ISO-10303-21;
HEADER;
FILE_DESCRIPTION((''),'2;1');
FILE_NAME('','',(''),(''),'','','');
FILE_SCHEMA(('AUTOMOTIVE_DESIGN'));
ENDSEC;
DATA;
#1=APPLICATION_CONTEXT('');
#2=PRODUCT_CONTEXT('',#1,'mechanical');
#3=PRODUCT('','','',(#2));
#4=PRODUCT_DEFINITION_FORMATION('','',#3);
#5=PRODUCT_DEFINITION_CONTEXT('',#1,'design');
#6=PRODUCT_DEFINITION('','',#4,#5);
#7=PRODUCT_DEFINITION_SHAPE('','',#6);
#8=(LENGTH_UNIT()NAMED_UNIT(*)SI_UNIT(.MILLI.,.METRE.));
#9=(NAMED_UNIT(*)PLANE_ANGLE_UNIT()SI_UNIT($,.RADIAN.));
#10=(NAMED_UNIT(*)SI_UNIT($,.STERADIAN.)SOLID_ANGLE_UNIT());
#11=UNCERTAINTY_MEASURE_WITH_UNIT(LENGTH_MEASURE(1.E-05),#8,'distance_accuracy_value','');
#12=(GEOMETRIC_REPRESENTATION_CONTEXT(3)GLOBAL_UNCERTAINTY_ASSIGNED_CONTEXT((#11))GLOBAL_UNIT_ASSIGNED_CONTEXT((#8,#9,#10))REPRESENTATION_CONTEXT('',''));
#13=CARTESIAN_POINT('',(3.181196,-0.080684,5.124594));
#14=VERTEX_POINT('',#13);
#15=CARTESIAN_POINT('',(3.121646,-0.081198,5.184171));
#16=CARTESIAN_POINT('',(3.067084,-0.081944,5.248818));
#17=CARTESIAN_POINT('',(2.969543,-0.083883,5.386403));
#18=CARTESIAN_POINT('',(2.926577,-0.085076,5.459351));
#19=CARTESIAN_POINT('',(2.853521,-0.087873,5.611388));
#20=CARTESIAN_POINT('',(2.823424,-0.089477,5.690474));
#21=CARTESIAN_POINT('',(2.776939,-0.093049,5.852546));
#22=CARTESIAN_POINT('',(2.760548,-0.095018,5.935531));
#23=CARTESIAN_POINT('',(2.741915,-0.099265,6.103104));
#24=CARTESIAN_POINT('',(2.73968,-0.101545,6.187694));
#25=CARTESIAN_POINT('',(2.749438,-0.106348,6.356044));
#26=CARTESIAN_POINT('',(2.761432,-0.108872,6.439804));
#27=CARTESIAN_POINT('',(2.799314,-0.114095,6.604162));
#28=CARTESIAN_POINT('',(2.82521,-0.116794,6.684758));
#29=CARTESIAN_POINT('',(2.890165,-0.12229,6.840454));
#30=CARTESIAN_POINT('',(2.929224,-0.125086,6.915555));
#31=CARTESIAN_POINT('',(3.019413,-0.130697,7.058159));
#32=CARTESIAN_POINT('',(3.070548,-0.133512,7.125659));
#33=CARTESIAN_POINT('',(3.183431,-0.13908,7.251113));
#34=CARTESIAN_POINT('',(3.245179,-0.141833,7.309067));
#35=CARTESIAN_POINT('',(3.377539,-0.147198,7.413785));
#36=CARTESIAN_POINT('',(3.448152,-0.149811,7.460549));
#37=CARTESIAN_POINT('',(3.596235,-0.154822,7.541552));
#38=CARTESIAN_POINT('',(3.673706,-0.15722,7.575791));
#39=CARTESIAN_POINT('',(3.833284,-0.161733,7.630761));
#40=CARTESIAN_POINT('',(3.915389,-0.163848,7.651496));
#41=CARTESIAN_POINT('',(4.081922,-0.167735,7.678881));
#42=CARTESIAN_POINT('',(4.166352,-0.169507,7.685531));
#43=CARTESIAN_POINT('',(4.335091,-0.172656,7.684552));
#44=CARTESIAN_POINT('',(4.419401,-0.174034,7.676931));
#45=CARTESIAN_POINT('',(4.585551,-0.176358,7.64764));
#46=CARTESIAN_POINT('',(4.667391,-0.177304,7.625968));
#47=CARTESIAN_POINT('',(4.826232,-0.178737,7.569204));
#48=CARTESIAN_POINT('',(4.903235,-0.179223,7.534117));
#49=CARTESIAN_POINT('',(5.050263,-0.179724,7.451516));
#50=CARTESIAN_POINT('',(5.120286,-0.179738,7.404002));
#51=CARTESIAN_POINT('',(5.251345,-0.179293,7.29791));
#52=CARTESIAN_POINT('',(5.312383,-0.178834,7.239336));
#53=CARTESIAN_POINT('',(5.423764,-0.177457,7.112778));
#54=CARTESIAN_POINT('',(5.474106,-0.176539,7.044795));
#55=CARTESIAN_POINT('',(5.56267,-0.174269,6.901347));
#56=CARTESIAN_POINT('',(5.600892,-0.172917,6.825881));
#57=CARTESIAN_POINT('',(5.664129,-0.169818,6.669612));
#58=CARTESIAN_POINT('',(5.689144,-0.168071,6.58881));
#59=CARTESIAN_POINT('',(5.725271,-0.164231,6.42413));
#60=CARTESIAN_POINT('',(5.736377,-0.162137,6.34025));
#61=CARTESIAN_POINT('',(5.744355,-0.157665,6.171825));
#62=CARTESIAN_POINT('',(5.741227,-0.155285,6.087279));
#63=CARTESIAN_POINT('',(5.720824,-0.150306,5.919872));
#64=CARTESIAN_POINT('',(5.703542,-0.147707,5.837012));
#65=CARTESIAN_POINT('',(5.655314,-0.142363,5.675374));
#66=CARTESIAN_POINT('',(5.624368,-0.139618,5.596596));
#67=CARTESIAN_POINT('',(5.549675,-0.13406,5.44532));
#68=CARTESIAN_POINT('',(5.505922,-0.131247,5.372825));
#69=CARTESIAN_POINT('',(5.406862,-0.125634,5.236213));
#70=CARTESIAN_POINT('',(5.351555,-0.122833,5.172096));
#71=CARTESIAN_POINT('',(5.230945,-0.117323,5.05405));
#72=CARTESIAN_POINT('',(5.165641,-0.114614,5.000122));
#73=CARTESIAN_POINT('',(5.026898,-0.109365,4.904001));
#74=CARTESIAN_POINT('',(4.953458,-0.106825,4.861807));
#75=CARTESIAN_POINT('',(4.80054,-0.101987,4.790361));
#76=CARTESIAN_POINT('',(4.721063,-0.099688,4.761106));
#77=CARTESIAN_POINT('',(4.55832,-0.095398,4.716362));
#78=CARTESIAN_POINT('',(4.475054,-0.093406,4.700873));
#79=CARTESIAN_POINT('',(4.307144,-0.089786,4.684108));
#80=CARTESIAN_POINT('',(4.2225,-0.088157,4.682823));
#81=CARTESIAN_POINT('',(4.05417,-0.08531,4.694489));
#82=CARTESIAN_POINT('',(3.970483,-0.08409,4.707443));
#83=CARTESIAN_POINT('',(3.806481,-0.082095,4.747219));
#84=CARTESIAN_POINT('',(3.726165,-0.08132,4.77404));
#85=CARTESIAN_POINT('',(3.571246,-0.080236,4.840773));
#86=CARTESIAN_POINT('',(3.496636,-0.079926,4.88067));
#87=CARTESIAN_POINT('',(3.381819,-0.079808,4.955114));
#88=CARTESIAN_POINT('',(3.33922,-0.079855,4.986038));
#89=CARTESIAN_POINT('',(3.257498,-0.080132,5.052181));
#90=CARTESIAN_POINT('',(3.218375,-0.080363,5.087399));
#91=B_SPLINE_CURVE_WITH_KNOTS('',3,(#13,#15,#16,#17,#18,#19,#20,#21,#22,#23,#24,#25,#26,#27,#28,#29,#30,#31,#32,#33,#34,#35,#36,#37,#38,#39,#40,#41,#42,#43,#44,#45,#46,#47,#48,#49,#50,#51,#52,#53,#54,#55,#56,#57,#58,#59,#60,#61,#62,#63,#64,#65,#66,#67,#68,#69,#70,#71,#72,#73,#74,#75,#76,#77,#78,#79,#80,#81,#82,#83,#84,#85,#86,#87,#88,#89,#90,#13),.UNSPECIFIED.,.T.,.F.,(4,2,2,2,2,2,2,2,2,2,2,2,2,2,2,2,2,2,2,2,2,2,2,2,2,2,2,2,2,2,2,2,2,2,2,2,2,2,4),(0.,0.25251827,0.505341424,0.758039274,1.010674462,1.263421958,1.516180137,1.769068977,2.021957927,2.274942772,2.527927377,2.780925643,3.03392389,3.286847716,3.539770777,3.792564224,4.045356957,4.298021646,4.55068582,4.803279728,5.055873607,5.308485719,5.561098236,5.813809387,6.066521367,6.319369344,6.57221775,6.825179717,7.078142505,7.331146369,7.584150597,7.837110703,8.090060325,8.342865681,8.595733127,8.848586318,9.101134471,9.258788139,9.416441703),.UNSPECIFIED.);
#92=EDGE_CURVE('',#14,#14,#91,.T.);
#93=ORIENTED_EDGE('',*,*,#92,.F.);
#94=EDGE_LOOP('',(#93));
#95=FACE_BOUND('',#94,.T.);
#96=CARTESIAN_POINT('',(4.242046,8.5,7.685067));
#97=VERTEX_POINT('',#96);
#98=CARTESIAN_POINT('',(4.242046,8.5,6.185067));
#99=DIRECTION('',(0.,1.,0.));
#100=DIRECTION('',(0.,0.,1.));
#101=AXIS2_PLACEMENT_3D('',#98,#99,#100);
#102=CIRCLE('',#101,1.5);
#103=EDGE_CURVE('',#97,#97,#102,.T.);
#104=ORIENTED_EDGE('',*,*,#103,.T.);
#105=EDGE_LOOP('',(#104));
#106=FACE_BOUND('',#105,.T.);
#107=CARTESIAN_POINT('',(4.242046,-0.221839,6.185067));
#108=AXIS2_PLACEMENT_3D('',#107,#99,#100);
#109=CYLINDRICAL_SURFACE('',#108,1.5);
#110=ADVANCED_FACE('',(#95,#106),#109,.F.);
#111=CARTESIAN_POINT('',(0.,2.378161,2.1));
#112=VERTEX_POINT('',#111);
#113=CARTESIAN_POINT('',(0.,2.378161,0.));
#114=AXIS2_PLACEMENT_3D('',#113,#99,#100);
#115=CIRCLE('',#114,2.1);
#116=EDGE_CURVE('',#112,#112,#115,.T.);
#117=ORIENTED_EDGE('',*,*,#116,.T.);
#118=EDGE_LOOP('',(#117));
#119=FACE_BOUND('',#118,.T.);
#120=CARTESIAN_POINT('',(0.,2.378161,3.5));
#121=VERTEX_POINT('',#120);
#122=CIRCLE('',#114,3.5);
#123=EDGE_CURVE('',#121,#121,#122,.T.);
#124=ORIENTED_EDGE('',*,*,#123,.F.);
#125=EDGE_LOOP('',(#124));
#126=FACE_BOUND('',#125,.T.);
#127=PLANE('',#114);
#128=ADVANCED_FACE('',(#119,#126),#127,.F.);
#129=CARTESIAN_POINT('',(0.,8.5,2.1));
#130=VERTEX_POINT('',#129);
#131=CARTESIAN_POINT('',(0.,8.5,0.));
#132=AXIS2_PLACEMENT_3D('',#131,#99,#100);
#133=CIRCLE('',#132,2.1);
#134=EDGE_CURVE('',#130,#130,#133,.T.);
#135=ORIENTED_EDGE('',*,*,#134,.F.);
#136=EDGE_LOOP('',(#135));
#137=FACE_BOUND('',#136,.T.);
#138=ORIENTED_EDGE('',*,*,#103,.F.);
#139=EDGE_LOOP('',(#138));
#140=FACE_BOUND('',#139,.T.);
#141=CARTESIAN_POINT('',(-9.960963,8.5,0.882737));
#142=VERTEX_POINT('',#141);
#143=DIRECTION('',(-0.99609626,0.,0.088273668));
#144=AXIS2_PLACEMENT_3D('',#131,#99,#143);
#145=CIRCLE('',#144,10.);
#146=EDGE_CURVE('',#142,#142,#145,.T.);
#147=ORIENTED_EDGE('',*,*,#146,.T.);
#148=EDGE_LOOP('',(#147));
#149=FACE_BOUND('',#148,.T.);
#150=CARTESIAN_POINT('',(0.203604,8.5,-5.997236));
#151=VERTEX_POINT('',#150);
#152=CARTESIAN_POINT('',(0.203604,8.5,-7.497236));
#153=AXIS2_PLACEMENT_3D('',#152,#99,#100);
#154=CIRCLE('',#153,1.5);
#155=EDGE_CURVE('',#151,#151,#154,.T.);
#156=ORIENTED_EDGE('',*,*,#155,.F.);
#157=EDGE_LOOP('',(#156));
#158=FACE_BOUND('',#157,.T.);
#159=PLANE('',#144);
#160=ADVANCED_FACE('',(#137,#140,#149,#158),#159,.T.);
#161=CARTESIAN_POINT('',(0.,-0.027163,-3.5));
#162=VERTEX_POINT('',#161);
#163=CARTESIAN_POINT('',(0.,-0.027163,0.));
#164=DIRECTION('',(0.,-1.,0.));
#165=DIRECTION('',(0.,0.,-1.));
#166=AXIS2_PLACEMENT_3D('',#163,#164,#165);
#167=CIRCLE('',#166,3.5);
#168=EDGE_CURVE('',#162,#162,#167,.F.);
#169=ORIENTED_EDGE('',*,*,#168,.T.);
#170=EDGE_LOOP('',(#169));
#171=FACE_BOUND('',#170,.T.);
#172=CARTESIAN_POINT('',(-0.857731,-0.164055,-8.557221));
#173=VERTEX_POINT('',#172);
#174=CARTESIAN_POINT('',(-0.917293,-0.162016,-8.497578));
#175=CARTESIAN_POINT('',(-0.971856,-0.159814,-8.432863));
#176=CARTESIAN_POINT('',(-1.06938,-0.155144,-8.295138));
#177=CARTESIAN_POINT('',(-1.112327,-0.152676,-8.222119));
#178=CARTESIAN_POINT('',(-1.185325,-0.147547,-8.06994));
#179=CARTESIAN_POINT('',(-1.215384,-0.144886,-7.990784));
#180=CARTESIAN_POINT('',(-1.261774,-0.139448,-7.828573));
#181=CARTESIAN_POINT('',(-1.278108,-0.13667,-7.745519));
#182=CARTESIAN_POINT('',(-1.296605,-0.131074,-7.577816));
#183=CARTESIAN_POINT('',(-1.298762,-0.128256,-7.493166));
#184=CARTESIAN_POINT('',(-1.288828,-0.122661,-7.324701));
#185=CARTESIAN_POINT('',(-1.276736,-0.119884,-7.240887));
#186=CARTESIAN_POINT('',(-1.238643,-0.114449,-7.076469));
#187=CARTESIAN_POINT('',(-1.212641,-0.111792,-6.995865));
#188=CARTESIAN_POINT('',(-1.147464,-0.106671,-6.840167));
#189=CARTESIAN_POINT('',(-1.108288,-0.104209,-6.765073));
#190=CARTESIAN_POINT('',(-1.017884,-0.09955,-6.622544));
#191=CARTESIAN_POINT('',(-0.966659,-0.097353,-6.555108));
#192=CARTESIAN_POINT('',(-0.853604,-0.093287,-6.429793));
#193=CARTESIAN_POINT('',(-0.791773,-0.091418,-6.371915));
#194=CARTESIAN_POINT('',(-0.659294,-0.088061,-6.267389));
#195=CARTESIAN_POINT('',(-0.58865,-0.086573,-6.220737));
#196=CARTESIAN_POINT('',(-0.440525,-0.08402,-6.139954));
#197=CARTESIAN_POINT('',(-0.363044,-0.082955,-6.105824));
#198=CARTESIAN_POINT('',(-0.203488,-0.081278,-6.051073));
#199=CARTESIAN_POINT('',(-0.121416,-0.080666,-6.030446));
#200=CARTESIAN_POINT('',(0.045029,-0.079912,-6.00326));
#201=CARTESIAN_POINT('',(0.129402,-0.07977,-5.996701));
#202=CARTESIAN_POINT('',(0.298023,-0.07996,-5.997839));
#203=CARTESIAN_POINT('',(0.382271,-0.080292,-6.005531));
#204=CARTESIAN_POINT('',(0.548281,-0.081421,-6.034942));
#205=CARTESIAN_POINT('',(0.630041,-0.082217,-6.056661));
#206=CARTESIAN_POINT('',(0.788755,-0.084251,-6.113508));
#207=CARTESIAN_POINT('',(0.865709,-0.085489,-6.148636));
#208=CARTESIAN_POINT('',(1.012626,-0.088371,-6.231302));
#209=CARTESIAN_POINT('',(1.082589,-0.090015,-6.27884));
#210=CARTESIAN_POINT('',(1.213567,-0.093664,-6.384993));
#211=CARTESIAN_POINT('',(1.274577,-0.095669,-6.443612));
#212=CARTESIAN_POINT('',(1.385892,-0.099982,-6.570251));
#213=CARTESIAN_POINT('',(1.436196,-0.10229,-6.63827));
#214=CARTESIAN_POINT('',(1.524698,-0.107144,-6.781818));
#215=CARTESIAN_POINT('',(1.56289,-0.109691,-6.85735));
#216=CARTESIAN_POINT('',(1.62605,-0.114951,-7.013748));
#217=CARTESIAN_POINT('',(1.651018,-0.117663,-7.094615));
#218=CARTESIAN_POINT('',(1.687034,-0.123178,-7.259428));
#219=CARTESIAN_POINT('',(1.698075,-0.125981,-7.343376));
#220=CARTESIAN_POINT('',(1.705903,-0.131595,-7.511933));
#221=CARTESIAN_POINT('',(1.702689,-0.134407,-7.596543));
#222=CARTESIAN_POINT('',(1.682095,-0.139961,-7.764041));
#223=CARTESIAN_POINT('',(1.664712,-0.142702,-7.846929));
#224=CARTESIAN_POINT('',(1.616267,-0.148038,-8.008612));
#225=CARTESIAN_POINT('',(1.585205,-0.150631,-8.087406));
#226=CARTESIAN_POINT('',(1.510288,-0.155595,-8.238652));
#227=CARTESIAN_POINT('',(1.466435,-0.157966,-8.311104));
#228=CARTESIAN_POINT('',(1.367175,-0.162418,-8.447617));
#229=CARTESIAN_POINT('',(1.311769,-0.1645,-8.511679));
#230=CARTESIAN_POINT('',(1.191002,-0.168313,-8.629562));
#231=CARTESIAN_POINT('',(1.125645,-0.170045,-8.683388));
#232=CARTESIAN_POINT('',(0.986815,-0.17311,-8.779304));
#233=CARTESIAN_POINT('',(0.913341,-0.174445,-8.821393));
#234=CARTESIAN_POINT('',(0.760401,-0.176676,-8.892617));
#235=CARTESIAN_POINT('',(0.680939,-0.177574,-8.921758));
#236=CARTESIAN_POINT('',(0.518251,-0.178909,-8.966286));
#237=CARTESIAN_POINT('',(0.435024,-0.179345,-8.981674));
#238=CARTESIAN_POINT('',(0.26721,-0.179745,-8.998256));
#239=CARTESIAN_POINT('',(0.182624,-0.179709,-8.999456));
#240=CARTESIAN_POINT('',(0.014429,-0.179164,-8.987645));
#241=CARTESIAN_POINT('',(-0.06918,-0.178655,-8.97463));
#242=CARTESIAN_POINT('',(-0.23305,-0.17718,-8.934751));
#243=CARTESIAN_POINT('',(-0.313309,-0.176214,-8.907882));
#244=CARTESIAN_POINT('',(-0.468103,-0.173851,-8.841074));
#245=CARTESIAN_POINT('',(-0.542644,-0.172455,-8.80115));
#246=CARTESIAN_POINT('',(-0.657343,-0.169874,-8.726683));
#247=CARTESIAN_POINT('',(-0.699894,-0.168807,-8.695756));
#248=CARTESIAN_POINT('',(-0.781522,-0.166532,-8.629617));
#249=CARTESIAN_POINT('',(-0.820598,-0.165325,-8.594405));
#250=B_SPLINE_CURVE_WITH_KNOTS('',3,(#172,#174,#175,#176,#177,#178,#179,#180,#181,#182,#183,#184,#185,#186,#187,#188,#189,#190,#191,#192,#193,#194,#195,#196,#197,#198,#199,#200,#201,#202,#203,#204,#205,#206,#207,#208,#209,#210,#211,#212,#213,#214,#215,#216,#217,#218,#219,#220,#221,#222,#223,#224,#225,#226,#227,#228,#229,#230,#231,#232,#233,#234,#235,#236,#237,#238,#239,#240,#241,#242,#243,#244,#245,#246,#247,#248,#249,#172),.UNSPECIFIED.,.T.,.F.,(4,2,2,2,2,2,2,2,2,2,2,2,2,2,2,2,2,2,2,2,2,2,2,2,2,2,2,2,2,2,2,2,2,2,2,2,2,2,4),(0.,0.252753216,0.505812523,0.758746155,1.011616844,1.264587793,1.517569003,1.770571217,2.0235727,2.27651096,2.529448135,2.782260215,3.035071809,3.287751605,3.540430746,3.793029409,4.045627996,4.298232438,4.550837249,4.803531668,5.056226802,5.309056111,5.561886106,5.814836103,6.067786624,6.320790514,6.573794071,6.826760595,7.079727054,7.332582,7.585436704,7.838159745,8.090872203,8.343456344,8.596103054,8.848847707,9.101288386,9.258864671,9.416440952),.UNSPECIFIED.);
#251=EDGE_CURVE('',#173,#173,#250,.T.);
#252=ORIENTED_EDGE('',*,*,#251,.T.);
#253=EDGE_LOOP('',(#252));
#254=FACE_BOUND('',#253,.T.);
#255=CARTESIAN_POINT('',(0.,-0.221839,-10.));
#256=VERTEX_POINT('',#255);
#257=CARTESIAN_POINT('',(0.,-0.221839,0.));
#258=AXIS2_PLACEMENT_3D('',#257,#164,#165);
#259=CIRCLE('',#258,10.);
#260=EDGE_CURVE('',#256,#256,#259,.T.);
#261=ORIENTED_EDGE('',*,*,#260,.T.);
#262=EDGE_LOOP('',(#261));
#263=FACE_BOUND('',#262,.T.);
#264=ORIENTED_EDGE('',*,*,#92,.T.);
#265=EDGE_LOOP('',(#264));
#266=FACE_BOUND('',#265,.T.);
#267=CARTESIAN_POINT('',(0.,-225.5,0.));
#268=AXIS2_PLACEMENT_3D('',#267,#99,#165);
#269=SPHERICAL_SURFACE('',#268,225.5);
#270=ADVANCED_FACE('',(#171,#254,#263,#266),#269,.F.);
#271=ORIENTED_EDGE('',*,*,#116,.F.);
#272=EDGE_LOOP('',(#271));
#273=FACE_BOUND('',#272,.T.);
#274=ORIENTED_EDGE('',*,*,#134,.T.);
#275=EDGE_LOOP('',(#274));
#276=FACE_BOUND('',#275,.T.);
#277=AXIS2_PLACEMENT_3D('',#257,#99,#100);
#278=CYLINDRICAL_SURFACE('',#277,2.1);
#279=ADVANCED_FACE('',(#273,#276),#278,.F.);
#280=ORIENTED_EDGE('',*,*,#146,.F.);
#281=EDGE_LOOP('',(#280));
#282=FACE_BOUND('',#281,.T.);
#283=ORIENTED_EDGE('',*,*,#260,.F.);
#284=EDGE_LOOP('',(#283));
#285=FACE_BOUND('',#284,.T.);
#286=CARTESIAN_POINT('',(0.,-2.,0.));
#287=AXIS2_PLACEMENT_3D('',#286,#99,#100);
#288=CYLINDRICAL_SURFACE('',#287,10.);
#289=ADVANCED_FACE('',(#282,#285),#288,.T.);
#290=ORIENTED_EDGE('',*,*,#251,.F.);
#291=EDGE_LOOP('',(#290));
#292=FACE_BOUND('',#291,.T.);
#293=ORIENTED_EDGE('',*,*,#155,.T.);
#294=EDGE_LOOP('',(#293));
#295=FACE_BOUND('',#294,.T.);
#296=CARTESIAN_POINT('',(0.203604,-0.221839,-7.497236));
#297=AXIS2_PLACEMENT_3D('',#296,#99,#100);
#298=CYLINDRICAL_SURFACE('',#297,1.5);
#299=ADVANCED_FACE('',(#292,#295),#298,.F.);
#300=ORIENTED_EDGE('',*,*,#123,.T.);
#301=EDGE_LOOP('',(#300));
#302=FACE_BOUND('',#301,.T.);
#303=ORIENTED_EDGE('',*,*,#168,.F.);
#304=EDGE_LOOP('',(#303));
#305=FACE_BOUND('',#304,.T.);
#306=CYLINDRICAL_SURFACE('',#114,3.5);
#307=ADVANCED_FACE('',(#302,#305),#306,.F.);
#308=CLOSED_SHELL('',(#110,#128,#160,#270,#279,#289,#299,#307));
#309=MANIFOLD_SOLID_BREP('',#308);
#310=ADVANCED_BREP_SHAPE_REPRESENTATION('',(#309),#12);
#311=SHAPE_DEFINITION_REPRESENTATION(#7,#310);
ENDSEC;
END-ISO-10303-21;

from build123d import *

# Parameters (mm, degrees)
BOSS_EXTRUDE1_DEPTH      = 8.5
BOSS_EXTRUDE1_DEPTH_BACK = 2
SKETCH1_R                = 10
SKETCH3_W                = 3.5
SKETCH3_H                = 2.6
SKETCH4_R                = 2.1
CUT_EXTRUDE1_DEPTH       = 17.615368622
SKETCH5_R                = 1.5
CUT_EXTRUDE2_DEPTH       = 17.615368622


with BuildPart() as part:
    # Sketch1 → Boss-Extrude1 (new, two sides: drawn at the far end of the back side and taken through both)
    with BuildSketch(Plane(origin=(0, 0, 0), x_dir=(1, 0, 0), z_dir=(0, 1, 0)).offset(-BOSS_EXTRUDE1_DEPTH_BACK)):
        with Locations(Location((0, 0, 0), (0, 0, 270))):
            Circle(SKETCH1_R)
    extrude(amount=BOSS_EXTRUDE1_DEPTH + BOSS_EXTRUDE1_DEPTH_BACK)

    # Sketch2 → Cut-Revolve1 (revolve, cut)
    with BuildSketch(Plane(origin=(0, 0, 0), x_dir=(0, 0, -1), z_dir=(1, 0, 0))):
        with BuildLine():
            Line((0, 0), (0, -451))
            ThreePointArc((0, -451), (-225.5, -225.5), (0, 0))
        make_face()
    revolve(axis=Axis((0, 0, 0), (0, -1, 0)), mode=Mode.SUBTRACT)

    # Sketch3 → Cut-Revolve2 (revolve, cut)
    with BuildSketch(Plane(origin=(0, 0, 0), x_dir=(0, 0, -1), z_dir=(1, 0, 0)), mode=Mode.PRIVATE) as cut_revolve2_sk:
        with Locations((-1.75, 1.078161392)):
            Rectangle(SKETCH3_W, SKETCH3_H)
    revolve(cut_revolve2_sk.sketch.rotate(Axis((0, 2.378161392, 0), (0, -1, 0)), 84.935699762), axis=Axis((0, 2.378161392, 0), (0, -1, 0)), mode=Mode.SUBTRACT)

    # Sketch4 → Cut-Extrude1 (cut, through all)
    with BuildSketch(Plane(origin=(0, 8.5, 0), x_dir=(1, 0, 0), z_dir=(0, 1, 0))):
        with Locations(Location((0, 0, 0), (0, 0, 270))):
            Circle(SKETCH4_R)
    extrude(amount=-CUT_EXTRUDE1_DEPTH, mode=Mode.SUBTRACT)

    # Sketch5 → Cut-Extrude2 (cut, through all)
    with BuildSketch(Plane(origin=(0, 8.5, 0), x_dir=(1, 0, 0), z_dir=(0, 1, 0))):
        with Locations(Location((0.20360383, 7.497235856, 0), (0, 0, 270))):
            Circle(SKETCH5_R)
        with Locations(Location((4.24204571, -6.185066547, 0), (0, 0, 270))):
            Circle(SKETCH5_R)
    extrude(amount=-CUT_EXTRUDE2_DEPTH, mode=Mode.SUBTRACT)


solid = part.part
